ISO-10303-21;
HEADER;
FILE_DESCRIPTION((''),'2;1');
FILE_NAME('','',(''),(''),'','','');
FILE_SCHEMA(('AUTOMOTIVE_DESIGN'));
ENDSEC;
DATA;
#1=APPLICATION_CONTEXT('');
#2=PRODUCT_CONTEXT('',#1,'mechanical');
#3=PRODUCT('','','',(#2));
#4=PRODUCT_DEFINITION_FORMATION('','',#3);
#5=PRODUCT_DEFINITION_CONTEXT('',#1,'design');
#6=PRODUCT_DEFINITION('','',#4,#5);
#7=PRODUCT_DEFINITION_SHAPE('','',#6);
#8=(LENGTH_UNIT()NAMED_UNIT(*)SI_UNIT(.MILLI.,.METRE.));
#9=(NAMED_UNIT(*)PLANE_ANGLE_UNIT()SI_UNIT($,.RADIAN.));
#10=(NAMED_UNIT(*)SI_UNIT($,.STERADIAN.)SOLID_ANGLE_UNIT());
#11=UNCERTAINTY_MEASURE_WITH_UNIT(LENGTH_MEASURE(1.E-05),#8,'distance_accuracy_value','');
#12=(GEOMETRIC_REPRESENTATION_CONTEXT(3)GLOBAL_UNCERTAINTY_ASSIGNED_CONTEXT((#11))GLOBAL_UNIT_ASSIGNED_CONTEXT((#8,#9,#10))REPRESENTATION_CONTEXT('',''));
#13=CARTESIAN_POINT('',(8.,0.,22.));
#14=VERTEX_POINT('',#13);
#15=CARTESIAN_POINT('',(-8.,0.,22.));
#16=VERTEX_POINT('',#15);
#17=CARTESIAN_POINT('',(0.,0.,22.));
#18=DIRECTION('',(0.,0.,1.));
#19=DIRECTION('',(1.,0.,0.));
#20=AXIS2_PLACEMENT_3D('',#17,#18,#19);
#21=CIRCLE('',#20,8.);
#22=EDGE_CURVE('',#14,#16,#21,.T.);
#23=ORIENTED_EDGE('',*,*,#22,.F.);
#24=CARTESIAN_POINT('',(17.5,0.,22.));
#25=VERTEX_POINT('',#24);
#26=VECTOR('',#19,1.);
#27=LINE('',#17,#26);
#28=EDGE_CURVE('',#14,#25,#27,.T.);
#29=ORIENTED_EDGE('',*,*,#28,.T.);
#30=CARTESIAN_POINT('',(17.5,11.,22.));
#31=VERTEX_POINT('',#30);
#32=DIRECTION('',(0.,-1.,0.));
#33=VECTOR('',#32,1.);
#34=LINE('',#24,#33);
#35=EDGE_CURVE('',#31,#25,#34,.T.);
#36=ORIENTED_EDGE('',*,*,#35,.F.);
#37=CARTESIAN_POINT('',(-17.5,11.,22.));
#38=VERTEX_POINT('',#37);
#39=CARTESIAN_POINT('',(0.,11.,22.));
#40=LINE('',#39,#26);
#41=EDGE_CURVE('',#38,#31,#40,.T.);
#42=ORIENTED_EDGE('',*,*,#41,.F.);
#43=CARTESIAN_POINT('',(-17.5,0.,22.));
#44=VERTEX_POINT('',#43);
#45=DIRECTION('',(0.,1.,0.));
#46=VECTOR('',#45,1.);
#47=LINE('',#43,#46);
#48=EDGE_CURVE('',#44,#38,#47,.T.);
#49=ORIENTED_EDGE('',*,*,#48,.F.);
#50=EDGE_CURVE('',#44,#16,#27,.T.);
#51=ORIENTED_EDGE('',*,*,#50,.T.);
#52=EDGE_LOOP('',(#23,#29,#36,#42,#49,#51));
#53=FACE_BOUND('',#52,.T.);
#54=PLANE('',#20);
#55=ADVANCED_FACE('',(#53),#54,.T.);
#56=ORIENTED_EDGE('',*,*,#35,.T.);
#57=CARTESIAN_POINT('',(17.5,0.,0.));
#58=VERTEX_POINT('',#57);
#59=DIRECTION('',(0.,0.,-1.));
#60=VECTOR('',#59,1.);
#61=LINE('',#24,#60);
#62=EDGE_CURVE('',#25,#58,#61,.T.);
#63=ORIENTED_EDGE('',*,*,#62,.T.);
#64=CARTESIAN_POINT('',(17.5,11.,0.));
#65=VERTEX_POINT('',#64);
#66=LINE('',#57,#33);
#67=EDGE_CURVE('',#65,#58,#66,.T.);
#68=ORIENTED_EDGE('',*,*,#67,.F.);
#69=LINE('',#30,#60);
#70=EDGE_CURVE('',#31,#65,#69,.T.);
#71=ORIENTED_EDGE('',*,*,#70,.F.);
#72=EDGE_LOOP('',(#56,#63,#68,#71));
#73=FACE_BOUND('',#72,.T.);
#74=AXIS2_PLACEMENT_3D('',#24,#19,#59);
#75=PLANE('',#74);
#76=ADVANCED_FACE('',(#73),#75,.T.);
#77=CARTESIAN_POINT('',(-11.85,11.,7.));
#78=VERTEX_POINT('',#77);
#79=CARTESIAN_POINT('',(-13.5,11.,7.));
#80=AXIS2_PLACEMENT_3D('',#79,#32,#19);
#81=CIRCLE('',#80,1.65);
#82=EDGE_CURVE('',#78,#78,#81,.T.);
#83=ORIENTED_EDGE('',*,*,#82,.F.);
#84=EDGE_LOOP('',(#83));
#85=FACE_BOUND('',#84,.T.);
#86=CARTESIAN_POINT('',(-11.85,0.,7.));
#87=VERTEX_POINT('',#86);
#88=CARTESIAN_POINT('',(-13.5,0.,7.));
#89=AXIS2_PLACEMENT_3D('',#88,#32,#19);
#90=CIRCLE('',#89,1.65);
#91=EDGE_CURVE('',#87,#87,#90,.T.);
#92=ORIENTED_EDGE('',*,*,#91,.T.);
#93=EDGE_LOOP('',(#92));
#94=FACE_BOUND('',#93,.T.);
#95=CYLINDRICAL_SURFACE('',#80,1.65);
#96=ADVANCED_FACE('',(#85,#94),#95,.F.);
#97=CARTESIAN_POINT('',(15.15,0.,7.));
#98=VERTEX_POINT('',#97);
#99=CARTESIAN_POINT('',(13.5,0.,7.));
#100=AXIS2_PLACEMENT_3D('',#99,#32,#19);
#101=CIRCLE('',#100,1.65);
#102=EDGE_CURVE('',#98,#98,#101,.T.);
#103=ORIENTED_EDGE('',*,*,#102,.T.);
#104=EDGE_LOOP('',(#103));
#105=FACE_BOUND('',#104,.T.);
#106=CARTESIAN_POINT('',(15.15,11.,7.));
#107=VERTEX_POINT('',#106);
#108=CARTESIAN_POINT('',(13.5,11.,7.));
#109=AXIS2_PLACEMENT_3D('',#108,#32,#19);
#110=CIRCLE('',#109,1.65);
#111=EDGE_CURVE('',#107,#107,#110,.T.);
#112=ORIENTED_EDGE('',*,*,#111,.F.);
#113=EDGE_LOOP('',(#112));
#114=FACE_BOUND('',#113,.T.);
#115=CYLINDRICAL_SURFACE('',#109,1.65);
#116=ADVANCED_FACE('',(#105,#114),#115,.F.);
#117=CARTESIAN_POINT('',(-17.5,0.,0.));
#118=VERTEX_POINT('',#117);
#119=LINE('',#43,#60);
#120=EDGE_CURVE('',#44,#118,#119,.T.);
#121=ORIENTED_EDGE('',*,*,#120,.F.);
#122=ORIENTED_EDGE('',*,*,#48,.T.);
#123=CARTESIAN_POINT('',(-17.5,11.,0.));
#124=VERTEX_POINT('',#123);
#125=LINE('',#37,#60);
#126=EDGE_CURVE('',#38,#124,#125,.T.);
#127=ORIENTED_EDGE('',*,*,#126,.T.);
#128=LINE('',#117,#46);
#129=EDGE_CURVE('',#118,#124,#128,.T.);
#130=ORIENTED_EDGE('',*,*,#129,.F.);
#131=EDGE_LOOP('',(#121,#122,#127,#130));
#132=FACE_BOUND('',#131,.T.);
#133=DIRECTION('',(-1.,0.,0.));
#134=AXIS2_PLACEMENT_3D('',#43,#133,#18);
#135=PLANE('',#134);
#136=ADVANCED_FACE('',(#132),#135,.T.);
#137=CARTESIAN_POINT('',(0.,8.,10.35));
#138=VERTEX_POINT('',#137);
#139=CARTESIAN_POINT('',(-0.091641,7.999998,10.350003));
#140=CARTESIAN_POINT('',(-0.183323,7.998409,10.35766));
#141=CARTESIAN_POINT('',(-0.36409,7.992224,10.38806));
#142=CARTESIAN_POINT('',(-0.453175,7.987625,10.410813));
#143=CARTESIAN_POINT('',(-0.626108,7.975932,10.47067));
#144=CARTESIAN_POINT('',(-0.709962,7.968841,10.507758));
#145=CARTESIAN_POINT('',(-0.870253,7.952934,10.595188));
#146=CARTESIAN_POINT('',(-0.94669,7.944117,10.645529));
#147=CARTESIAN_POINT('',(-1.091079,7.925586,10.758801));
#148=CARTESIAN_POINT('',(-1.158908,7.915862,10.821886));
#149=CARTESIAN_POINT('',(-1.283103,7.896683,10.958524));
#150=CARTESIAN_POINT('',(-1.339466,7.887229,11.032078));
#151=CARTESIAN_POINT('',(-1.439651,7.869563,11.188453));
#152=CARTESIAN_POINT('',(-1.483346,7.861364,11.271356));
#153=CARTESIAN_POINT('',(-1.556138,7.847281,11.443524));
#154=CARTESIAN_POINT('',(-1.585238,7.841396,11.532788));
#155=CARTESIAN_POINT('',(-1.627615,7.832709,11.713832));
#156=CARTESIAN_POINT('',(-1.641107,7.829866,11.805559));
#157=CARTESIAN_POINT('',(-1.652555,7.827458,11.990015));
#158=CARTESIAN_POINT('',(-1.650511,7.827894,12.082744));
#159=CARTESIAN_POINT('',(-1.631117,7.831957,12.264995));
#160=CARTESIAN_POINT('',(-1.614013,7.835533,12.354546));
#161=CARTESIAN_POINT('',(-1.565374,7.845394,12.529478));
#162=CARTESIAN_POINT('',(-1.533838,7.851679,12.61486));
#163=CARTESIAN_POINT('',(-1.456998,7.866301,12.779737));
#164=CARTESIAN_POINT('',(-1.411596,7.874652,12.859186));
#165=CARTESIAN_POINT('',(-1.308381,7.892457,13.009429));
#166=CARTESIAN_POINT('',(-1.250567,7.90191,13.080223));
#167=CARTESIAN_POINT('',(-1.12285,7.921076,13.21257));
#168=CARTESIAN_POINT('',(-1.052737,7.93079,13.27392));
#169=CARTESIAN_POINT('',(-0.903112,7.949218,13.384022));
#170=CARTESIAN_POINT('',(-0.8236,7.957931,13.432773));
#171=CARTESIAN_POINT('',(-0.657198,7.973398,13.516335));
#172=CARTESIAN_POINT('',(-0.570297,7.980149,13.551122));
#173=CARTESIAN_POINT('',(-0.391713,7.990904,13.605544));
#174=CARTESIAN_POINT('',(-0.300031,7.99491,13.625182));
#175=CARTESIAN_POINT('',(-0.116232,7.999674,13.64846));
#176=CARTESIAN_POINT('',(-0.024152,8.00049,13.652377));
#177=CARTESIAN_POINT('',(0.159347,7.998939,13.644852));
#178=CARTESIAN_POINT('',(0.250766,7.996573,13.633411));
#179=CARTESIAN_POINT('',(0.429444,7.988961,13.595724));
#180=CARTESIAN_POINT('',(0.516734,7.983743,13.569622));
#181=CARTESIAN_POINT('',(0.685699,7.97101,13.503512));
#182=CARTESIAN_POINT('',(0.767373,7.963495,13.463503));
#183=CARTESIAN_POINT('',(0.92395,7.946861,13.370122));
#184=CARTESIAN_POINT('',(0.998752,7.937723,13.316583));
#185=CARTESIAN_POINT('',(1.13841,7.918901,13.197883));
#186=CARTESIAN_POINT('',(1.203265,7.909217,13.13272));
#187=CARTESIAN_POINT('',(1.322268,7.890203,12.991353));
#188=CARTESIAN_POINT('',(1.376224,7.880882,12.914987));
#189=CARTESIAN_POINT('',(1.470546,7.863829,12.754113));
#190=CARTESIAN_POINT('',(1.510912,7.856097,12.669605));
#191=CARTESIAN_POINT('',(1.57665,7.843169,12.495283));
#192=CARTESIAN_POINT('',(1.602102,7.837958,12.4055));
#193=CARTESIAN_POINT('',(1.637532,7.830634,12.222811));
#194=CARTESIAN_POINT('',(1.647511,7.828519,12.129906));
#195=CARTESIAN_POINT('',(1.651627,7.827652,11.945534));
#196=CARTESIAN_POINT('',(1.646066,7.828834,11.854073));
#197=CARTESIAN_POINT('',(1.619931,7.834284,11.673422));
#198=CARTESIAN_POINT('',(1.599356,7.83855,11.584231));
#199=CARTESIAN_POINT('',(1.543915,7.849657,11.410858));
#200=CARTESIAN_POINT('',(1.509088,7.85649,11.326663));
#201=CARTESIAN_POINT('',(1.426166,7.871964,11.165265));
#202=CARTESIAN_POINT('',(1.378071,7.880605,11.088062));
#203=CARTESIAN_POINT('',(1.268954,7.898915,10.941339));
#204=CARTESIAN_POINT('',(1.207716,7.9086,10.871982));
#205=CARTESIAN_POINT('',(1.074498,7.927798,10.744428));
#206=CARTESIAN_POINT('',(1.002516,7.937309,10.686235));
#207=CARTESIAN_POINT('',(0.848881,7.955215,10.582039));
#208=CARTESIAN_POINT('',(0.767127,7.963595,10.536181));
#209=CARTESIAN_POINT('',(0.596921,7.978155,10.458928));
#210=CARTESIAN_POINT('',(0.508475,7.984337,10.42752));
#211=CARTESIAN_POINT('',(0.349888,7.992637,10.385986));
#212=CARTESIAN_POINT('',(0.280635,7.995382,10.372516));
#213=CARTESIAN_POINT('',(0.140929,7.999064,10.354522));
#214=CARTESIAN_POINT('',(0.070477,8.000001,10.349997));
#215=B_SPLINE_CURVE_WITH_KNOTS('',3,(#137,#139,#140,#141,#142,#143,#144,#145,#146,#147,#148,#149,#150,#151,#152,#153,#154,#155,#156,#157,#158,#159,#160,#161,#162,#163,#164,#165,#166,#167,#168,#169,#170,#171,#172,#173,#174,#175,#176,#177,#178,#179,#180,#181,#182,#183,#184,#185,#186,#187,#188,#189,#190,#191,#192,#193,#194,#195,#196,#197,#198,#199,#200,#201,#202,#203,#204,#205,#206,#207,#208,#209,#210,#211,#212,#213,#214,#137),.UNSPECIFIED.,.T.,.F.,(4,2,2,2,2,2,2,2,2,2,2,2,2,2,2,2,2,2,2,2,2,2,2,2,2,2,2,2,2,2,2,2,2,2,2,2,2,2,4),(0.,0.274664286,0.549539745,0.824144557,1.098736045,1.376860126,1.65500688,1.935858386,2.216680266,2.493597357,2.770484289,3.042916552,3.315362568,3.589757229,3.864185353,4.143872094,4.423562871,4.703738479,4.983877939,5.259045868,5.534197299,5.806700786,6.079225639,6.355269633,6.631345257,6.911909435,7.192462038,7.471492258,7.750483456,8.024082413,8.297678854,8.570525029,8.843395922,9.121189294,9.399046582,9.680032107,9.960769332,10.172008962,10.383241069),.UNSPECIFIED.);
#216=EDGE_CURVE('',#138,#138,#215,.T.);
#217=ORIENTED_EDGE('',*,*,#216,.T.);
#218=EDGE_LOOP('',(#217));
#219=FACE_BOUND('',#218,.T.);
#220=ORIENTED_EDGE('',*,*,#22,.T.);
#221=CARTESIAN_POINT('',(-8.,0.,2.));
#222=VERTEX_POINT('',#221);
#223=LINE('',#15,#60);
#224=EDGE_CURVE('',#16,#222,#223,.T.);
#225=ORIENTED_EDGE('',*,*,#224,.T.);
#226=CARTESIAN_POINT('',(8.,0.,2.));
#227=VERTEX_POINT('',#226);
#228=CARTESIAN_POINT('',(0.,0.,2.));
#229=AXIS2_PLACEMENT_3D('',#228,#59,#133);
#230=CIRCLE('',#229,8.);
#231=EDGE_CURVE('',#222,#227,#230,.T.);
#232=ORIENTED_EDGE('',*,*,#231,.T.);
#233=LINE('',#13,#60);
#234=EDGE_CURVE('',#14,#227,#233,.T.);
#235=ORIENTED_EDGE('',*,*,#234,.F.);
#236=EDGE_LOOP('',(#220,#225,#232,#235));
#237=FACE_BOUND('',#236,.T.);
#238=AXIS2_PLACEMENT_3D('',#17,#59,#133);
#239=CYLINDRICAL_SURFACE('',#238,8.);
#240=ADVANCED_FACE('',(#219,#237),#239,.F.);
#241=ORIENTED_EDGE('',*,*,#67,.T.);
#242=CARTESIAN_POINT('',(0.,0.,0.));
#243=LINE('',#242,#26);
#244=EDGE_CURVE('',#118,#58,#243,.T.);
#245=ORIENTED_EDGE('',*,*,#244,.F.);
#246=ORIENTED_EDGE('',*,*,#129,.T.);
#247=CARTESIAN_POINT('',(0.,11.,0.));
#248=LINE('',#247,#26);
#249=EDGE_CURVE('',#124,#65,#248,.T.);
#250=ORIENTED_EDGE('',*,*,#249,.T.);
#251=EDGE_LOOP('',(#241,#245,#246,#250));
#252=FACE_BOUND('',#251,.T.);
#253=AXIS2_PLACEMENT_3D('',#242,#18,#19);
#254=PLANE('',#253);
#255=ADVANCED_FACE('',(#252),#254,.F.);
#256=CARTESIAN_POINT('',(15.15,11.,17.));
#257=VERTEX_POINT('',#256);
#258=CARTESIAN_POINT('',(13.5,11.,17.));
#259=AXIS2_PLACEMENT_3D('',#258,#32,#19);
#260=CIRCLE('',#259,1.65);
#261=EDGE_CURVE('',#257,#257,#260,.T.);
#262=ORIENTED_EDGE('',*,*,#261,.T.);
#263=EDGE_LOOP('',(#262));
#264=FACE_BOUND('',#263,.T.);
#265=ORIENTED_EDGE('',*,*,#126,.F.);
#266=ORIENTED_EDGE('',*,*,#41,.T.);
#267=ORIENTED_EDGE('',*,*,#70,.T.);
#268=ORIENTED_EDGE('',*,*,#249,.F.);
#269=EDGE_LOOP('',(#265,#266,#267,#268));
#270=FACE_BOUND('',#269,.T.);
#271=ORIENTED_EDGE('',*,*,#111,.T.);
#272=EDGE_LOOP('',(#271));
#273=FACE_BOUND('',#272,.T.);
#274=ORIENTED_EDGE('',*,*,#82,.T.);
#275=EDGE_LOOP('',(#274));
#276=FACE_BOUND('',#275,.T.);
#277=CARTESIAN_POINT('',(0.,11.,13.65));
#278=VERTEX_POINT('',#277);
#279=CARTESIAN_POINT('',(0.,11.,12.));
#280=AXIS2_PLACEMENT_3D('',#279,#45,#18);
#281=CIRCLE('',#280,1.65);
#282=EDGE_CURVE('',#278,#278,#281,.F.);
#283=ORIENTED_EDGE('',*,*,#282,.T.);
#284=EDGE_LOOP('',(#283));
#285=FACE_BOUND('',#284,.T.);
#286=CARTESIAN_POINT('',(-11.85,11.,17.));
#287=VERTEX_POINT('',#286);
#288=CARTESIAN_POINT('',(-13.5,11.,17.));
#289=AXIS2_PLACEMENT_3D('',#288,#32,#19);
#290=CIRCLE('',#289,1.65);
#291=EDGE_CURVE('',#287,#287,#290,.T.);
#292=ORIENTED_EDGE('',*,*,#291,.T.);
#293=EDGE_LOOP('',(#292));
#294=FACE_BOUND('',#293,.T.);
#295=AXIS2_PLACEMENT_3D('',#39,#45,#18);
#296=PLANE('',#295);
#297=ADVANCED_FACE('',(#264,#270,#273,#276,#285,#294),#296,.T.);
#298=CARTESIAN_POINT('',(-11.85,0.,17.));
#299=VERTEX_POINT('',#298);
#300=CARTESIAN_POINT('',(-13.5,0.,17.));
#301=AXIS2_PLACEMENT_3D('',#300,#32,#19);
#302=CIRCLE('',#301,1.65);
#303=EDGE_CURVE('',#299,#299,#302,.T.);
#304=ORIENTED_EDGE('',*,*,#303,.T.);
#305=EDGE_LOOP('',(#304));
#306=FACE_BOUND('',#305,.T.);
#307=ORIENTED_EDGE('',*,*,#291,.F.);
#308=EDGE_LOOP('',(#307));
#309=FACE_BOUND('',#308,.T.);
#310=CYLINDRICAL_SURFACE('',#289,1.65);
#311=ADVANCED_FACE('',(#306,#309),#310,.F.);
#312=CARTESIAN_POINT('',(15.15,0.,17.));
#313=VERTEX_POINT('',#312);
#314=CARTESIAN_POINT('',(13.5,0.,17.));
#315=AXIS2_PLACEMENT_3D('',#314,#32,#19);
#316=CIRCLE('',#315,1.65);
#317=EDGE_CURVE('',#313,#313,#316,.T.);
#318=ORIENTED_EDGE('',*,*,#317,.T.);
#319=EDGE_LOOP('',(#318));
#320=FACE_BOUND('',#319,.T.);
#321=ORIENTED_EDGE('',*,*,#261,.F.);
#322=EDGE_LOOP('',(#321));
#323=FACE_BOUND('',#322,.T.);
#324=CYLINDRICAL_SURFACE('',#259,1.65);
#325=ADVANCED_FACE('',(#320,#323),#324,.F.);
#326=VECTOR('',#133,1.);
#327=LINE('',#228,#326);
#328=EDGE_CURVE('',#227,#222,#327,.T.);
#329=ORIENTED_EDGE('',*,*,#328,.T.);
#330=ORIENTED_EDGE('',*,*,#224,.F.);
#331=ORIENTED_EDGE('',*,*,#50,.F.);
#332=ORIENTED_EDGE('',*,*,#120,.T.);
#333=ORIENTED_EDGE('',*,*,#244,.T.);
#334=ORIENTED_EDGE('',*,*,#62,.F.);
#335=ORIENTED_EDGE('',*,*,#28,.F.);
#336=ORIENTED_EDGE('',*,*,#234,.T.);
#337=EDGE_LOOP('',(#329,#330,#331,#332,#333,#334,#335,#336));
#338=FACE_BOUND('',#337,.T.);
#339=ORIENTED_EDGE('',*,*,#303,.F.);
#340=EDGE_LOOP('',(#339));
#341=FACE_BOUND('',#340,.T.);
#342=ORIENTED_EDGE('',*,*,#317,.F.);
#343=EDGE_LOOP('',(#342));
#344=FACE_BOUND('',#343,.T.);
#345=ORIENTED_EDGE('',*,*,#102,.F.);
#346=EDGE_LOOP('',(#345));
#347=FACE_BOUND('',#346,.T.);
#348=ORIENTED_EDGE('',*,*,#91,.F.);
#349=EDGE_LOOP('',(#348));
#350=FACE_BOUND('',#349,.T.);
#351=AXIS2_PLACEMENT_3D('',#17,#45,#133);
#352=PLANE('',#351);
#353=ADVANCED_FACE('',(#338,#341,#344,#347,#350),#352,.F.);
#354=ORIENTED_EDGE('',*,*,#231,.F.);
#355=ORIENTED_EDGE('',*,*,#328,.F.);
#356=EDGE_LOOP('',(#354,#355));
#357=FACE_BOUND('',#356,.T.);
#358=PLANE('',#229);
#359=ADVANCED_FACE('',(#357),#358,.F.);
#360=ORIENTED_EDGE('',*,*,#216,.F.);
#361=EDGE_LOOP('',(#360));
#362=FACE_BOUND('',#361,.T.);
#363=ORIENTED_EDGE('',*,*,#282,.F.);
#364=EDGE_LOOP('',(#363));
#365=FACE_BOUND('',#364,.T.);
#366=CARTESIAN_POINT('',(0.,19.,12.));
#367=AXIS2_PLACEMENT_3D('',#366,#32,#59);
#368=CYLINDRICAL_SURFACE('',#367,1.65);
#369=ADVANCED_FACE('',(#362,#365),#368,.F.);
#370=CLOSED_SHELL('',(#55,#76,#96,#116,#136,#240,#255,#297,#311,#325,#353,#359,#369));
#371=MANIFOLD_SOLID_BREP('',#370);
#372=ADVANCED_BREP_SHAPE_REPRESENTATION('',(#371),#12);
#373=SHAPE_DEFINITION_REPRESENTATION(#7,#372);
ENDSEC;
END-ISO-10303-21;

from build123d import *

# Parameters (mm, degrees)
EXTRUDE_1_DEPTH     = 22
SKETCH_3_R          = 1.65
CUT_EXTRUDE_2_DEPTH = 19
EXTRUDE_2_DEPTH     = 2
SKETCH_5_R          = 1.65
CUT_EXTRUDE_3_DEPTH = 31.186917806


with BuildPart() as part:
    # 草图1 → 凸台-拉伸1 (new body)
    with BuildSketch(Plane.XY):
        with BuildLine():
            Line((-10.583005244, 3), (-17.5, 3))
            Line((-17.5, 3), (-17.5, 0))
            Line((-17.5, 0), (-11, 0))
            ThreePointArc((-11, 0), (-10.895252583, 1.514421063), (-10.583005244, 3))
        make_face()
        with BuildLine():
            Line((-7.416198487, 3), (-10.583005244, 3))
            ThreePointArc((-10.583005244, 3), (-10.895252583, 1.514421063), (-11, 0))
            Line((-11, 0), (-8, 0))
            ThreePointArc((-8, 0), (-7.85269342, 1.5281381), (-7.416198487, 3))
        make_face()
        with BuildLine():
            ThreePointArc((11, 0), (10.895252583, 1.514421063), (10.583005244, 3))
            Line((10.583005244, 3), (7.416198487, 3))
            ThreePointArc((7.416198487, 3), (7.85269342, 1.5281381), (8, 0))
            Line((8, 0), (11, 0))
        make_face()
        with BuildLine():
            ThreePointArc((-4.5e-08, 11), (-6.633249599, 8.774964374), (-10.583005244, 3))
            Line((-10.583005244, 3), (-7.416198487, 3))
            ThreePointArc((-7.416198487, 3), (0, 8), (7.416198487, 3))
            Line((7.416198487, 3), (10.583005244, 3))
            ThreePointArc((10.583005244, 3), (6.633249563, 8.774964401), (-4.5e-08, 11))
        make_face()
        with BuildLine():
            Line((17.5, 3), (10.583005244, 3))
            ThreePointArc((10.583005244, 3), (10.895252583, 1.514421063), (11, 0))
            Line((11, 0), (17.5, 0))
            Line((17.5, 0), (17.5, 3))
        make_face()
        with BuildLine():
            Line((-17.5, 11), (-17.5, 3))
            Line((-17.5, 3), (-10.583005244, 3))
            ThreePointArc((-10.583005244, 3), (-6.633249599, 8.774964374), (-4.5e-08, 11))
            Line((-4.5e-08, 11), (-17.5, 11))
        make_face()
        with BuildLine():
            Line((17.5, 11), (-4.5e-08, 11))
            ThreePointArc((-4.5e-08, 11), (6.633249563, 8.774964401), (10.583005244, 3))
            Line((10.583005244, 3), (17.5, 3))
            Line((17.5, 3), (17.5, 11))
        make_face()
    extrude(amount=EXTRUDE_1_DEPTH)

    # 草图3 → 切除-拉伸2 (cut)
    with BuildSketch(Plane(origin=(0, 0, 0), x_dir=(1, 0, 0), z_dir=(0, 1, 0))):
        with Locations(Location((0, -12, 0), (0, 0, 90))):
            Circle(SKETCH_3_R)
    extrude(amount=CUT_EXTRUDE_2_DEPTH, mode=Mode.SUBTRACT)

    # 草图4 → 凸台-拉伸2 (add)
    with BuildSketch(Plane(origin=(0, 0, 0), x_dir=(-1, 0, 0), z_dir=(0, 0, -1))):
        with BuildLine():
            Line((-11, 0), (11, 0))
            ThreePointArc((11, 0), (0, 11), (-11, 0))
        make_face()
    extrude(amount=-EXTRUDE_2_DEPTH)

    # 草图5 → 切除-拉伸3 (cut, through all)
    with BuildSketch(Plane.XZ):
        with Locations((-13.5, 17)):
            Circle(SKETCH_5_R)
        with Locations((-13.5, 7)):
            Circle(SKETCH_5_R)
        with Locations((13.5, 17)):
            Circle(SKETCH_5_R)
        with Locations((13.5, 7)):
            Circle(SKETCH_5_R)
    extrude(amount=-CUT_EXTRUDE_3_DEPTH, mode=Mode.SUBTRACT)


solid = part.part
